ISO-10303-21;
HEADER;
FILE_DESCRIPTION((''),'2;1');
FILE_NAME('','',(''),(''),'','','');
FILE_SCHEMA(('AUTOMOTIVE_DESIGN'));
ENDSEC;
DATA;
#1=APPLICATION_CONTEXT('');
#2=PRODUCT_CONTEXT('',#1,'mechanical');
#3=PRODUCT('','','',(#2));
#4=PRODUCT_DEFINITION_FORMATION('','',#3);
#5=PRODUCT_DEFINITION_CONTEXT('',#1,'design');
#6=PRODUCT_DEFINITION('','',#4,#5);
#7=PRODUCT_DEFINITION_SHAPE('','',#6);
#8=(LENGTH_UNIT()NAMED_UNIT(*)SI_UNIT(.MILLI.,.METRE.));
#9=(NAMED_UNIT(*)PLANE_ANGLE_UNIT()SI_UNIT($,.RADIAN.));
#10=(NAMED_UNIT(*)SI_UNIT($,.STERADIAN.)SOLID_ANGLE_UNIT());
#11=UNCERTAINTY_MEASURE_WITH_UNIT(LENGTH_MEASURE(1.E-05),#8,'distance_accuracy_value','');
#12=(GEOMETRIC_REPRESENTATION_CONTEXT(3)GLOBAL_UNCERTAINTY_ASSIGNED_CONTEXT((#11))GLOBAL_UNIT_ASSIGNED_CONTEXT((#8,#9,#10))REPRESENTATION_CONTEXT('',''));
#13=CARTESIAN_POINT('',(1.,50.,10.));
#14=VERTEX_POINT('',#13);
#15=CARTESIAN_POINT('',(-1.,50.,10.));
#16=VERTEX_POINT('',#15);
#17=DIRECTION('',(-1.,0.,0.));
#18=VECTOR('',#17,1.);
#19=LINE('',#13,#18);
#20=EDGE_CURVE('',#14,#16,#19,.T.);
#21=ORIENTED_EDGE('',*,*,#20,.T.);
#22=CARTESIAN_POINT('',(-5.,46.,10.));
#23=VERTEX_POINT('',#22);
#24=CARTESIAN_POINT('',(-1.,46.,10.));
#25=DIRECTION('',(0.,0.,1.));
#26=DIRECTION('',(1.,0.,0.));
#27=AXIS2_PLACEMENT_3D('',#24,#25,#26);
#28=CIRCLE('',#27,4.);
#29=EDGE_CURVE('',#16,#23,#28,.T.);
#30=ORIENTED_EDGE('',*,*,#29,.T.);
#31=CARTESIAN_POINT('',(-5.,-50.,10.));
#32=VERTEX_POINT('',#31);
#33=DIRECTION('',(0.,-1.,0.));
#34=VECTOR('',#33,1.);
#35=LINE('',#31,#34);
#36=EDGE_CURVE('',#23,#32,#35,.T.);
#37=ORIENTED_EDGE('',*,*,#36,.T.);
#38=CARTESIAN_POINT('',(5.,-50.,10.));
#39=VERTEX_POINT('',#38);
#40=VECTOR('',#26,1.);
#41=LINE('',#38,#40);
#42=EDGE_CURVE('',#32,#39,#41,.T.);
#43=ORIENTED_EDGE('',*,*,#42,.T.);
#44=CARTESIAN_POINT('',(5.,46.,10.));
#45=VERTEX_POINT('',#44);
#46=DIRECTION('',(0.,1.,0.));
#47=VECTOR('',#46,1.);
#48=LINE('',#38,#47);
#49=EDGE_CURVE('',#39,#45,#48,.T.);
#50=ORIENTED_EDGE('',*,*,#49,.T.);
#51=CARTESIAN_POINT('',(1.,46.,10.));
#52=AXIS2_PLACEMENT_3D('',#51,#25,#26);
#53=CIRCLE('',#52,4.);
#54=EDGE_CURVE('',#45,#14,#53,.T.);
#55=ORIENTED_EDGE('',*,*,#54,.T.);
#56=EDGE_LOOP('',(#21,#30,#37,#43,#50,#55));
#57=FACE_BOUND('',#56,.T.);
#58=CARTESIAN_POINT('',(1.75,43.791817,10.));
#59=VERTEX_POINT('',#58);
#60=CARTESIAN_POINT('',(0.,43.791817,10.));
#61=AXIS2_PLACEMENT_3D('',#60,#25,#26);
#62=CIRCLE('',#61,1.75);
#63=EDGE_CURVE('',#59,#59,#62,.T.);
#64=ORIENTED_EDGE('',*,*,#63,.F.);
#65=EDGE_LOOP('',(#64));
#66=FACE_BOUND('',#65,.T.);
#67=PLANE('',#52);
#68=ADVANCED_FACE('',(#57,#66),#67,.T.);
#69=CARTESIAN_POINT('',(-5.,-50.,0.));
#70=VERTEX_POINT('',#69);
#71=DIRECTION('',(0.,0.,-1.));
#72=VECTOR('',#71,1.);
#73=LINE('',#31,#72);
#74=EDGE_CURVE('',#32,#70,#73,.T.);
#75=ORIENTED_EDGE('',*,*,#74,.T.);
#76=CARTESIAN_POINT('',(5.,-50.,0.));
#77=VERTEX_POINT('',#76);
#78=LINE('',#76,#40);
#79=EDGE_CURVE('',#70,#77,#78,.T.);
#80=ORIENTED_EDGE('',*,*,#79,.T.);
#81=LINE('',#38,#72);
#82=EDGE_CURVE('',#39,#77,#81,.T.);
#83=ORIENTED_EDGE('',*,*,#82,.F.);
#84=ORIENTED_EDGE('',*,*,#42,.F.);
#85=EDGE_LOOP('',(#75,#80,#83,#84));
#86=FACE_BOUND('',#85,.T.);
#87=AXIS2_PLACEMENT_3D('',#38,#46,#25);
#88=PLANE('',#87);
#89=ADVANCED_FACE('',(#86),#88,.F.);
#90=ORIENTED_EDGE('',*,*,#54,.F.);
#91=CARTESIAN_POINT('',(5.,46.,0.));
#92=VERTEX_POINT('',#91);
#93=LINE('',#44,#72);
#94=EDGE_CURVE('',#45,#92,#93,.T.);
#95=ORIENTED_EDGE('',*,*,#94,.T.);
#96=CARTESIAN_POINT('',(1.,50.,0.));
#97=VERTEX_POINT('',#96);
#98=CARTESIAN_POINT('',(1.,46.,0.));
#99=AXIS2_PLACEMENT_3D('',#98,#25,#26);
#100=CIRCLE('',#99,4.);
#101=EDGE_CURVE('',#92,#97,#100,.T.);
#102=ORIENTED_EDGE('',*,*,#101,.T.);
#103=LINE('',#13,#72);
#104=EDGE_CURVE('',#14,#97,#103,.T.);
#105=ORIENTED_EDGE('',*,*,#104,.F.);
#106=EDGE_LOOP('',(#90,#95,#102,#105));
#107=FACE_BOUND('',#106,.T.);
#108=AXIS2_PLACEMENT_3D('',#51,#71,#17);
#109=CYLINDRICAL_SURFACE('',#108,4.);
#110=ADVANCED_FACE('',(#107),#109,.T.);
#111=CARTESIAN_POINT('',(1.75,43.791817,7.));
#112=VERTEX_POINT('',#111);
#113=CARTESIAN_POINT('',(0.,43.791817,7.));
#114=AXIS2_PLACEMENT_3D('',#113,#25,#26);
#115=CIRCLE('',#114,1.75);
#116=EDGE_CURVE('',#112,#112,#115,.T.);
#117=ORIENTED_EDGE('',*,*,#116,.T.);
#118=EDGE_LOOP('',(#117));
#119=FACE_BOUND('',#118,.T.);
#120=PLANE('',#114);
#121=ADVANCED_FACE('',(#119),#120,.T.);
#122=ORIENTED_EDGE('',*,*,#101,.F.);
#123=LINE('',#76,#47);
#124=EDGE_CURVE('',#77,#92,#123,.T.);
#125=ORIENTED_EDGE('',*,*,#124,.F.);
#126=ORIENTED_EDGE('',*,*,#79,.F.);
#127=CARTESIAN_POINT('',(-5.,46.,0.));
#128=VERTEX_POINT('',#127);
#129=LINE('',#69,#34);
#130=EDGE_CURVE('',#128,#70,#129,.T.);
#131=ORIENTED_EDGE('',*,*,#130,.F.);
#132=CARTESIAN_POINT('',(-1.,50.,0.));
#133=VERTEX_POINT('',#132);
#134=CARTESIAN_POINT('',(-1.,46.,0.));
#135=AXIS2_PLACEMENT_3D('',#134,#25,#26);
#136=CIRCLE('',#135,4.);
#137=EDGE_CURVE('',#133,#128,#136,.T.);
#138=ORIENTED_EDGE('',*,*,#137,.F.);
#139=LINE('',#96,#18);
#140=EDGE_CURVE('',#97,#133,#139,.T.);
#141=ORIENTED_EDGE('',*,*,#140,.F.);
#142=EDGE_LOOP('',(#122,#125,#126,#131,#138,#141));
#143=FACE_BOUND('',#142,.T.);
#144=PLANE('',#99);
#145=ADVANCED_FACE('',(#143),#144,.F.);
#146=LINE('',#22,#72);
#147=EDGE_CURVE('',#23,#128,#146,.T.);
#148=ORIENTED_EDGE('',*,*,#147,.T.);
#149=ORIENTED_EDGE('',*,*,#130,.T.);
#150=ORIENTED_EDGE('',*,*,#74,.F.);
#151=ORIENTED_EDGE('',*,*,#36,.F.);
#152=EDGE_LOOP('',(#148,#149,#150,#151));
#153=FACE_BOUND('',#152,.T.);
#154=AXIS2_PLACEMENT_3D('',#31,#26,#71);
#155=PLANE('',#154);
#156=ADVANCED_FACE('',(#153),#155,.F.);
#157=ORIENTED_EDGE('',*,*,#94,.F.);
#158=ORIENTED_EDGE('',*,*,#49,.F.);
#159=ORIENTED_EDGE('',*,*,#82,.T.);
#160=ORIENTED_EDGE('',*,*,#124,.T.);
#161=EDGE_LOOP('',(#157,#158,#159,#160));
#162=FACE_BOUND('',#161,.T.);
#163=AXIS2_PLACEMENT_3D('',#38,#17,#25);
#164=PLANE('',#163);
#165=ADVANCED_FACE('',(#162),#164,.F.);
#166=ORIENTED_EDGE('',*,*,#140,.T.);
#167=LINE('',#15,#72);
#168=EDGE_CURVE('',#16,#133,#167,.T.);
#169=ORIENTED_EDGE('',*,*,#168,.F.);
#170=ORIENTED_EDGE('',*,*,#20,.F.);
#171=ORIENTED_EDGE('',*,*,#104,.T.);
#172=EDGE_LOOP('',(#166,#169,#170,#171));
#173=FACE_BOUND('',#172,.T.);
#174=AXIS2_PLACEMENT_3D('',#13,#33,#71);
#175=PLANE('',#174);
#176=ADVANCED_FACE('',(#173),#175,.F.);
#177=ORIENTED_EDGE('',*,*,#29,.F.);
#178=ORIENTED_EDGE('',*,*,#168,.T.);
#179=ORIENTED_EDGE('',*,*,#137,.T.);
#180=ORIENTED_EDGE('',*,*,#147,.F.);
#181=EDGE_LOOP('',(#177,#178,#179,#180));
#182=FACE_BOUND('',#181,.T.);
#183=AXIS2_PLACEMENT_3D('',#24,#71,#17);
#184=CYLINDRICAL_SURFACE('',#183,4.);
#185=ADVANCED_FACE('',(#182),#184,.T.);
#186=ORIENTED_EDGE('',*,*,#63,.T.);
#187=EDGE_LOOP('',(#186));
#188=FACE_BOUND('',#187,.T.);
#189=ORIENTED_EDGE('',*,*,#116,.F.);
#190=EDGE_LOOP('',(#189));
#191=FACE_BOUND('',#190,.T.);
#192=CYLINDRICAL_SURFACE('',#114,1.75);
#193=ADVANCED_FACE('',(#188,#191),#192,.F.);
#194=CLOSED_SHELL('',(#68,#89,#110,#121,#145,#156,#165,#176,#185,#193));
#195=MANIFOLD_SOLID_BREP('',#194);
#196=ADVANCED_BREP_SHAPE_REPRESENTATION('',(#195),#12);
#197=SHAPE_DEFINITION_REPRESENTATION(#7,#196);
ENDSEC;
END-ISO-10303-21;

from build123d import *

# Parameters (mm, degrees)
SALIENTE_EXTRUIR2_DEPTH = 10
CROQUIS2_R              = 1.75
CORTAR_EXTRUIR1_DEPTH   = 3


with BuildPart() as part:
    # Croquis1 → Saliente-Extruir2 (new body)
    with BuildSketch(Plane.XY):
        with BuildLine():
            Line((5, -50), (-5, -50))
            Line((-5, -50), (-5, 46))
            ThreePointArc((-5, 46), (-3.828427125, 48.828427125), (-1, 50))
            Line((-1, 50), (1, 50))
            ThreePointArc((1, 50), (3.828427125, 48.828427125), (5, 46))
            Line((5, 46), (5, -50))
        make_face()
    extrude(amount=SALIENTE_EXTRUIR2_DEPTH)

    # Croquis2 → Cortar-Extruir1 (cut)
    with BuildSketch(Plane.XY.offset(10)):
        with Locations((0, 43.791816943)):
            Circle(CROQUIS2_R)
    extrude(amount=-CORTAR_EXTRUIR1_DEPTH, mode=Mode.SUBTRACT)


solid = part.part
